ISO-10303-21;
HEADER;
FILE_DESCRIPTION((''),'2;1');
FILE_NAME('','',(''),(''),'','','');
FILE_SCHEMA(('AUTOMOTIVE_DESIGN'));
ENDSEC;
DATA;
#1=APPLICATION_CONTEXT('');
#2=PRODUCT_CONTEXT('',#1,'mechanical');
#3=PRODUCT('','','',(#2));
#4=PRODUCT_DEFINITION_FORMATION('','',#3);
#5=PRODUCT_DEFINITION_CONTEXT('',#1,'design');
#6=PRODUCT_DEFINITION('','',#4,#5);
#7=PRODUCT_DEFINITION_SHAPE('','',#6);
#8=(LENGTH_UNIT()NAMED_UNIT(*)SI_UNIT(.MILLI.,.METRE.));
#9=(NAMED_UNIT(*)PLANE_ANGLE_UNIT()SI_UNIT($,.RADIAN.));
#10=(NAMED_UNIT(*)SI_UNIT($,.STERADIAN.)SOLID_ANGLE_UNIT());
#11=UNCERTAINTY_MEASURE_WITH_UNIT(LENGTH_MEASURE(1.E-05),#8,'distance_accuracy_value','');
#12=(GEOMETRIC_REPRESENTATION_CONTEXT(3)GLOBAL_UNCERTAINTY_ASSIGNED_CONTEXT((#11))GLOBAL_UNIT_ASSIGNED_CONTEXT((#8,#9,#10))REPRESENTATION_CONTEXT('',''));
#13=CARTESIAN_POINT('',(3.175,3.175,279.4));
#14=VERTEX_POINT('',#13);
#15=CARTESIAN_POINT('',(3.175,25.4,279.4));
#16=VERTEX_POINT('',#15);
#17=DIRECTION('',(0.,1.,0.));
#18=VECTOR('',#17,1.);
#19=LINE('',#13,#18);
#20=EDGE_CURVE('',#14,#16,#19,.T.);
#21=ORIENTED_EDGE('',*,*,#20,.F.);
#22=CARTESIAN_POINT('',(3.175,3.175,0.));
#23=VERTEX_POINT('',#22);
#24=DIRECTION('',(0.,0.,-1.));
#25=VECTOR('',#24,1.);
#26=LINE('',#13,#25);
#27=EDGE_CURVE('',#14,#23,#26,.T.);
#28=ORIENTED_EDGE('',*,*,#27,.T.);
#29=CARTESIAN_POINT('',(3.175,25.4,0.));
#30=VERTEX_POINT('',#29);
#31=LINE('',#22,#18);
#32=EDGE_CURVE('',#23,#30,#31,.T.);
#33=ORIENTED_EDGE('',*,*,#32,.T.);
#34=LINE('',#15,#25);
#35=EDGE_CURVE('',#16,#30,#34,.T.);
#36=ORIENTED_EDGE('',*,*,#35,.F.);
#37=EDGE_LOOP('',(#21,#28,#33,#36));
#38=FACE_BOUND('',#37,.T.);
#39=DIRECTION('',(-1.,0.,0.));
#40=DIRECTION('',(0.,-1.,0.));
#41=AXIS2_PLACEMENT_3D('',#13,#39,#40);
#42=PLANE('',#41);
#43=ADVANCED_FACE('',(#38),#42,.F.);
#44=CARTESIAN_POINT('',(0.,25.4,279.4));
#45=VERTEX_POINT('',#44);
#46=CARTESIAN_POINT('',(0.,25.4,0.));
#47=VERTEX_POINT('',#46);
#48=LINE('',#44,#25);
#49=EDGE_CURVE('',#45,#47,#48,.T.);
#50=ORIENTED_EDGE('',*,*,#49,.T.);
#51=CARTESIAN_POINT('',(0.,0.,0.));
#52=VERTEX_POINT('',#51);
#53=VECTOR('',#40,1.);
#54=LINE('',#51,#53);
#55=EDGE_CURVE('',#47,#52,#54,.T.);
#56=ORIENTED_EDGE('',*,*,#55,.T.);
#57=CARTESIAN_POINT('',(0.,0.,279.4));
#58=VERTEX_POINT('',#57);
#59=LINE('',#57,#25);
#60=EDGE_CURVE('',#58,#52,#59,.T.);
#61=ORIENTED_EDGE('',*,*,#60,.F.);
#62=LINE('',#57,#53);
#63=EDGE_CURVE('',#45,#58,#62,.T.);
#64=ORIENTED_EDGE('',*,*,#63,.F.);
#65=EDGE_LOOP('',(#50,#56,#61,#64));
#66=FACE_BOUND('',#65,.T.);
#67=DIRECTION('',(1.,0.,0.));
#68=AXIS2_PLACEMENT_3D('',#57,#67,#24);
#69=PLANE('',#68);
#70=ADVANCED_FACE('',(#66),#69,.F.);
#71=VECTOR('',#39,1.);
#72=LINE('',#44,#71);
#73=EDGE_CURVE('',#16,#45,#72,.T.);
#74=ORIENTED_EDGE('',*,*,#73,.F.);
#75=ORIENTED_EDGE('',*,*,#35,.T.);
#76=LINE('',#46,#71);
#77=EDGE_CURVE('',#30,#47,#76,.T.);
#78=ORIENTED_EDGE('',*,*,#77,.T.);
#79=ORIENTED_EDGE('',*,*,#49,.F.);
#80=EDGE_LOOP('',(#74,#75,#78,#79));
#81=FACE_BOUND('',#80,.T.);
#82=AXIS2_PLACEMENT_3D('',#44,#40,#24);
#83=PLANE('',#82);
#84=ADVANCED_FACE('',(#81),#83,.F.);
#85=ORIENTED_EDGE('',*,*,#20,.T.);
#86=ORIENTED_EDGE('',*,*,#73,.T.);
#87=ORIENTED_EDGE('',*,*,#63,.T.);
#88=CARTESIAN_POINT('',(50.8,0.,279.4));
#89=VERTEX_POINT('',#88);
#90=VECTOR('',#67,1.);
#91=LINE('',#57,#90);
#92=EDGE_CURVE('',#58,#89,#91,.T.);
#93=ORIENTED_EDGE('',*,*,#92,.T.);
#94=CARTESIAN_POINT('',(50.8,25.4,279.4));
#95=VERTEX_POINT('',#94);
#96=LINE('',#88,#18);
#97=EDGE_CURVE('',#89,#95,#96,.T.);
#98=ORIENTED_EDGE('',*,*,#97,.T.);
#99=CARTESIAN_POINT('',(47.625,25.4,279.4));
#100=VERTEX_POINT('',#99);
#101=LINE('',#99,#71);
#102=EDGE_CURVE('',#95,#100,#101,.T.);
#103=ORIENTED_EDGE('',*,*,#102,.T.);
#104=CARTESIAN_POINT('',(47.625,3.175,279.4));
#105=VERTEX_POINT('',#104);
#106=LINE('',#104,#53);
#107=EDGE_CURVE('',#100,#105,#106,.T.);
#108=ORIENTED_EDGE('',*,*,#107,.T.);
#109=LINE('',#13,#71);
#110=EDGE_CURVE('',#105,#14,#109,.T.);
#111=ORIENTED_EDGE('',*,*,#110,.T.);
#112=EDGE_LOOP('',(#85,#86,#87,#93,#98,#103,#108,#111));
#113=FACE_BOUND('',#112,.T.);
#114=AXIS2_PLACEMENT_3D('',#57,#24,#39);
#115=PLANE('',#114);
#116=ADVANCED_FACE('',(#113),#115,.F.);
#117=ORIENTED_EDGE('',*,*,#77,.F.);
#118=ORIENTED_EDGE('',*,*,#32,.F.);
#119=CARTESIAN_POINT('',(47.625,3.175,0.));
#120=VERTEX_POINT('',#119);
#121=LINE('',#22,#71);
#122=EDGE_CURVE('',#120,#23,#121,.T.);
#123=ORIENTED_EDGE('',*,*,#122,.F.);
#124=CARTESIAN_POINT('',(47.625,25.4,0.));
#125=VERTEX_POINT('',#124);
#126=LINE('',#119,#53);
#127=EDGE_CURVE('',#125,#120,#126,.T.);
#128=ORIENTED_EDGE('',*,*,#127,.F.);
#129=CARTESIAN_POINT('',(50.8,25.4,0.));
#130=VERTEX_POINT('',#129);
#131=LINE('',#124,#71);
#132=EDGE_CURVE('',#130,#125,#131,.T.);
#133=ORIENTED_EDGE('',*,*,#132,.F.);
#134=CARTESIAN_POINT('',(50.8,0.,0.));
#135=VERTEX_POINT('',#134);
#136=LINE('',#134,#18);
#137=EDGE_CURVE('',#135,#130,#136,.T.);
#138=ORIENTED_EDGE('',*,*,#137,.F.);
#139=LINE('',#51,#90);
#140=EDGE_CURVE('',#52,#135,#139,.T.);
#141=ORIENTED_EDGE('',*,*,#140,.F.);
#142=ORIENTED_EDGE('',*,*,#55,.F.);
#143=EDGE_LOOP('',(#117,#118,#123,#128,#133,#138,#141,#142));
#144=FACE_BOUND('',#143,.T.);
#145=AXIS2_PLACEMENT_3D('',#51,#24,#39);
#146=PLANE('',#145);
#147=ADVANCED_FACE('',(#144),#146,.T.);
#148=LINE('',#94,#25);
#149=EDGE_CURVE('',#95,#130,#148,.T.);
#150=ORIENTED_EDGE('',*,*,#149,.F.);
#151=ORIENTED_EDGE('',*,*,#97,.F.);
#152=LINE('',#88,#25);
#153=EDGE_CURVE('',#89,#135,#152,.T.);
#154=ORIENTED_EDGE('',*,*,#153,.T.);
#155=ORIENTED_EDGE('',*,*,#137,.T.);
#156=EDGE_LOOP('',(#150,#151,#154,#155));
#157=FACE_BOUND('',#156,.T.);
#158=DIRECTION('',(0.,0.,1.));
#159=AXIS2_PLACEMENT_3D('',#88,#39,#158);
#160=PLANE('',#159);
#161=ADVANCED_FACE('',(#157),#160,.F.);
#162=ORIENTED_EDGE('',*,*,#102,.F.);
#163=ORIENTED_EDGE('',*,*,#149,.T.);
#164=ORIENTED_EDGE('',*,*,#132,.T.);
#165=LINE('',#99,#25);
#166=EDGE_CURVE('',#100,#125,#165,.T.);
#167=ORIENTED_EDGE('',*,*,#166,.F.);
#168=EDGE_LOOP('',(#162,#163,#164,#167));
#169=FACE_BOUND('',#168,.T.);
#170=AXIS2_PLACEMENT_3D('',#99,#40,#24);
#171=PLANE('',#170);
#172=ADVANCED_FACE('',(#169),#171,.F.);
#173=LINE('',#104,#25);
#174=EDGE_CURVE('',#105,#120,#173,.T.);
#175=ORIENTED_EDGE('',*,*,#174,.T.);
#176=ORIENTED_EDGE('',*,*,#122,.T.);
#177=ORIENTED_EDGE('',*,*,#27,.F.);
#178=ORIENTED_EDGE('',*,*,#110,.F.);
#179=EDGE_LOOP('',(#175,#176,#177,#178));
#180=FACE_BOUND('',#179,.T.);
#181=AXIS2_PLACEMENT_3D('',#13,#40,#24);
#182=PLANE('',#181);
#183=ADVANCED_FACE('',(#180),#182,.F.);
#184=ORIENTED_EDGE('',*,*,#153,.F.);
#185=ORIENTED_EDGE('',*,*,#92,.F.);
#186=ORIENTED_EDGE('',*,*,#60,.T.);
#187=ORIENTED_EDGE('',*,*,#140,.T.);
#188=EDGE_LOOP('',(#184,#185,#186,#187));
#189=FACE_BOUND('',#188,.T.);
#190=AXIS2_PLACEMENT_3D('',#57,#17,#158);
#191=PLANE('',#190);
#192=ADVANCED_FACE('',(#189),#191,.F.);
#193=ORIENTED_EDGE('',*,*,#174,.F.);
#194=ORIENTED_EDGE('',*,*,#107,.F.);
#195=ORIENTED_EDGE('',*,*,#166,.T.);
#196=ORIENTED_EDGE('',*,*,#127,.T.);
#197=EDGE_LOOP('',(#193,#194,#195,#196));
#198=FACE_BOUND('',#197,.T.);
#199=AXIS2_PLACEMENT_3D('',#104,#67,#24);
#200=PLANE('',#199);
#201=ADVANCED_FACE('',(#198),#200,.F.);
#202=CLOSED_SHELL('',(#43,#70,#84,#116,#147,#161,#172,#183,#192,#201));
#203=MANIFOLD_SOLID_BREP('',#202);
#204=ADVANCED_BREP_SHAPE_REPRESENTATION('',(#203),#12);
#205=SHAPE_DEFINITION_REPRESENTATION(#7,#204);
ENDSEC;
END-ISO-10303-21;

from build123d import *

# Parameters (mm, degrees)
BOSS_EXTRUDE1_DEPTH = 279.4


with BuildPart() as part:
    # Sketch1 → Boss-Extrude1 (new body)
    with BuildSketch(Plane.XY):
        Polygon((3.175, 3.175), (3.175, 25.4), (0, 25.4), (0, 0), (50.8, 0), (50.8, 25.4), (47.625, 25.4), (47.625, 3.175), align=None)
    extrude(amount=BOSS_EXTRUDE1_DEPTH)


solid = part.part
